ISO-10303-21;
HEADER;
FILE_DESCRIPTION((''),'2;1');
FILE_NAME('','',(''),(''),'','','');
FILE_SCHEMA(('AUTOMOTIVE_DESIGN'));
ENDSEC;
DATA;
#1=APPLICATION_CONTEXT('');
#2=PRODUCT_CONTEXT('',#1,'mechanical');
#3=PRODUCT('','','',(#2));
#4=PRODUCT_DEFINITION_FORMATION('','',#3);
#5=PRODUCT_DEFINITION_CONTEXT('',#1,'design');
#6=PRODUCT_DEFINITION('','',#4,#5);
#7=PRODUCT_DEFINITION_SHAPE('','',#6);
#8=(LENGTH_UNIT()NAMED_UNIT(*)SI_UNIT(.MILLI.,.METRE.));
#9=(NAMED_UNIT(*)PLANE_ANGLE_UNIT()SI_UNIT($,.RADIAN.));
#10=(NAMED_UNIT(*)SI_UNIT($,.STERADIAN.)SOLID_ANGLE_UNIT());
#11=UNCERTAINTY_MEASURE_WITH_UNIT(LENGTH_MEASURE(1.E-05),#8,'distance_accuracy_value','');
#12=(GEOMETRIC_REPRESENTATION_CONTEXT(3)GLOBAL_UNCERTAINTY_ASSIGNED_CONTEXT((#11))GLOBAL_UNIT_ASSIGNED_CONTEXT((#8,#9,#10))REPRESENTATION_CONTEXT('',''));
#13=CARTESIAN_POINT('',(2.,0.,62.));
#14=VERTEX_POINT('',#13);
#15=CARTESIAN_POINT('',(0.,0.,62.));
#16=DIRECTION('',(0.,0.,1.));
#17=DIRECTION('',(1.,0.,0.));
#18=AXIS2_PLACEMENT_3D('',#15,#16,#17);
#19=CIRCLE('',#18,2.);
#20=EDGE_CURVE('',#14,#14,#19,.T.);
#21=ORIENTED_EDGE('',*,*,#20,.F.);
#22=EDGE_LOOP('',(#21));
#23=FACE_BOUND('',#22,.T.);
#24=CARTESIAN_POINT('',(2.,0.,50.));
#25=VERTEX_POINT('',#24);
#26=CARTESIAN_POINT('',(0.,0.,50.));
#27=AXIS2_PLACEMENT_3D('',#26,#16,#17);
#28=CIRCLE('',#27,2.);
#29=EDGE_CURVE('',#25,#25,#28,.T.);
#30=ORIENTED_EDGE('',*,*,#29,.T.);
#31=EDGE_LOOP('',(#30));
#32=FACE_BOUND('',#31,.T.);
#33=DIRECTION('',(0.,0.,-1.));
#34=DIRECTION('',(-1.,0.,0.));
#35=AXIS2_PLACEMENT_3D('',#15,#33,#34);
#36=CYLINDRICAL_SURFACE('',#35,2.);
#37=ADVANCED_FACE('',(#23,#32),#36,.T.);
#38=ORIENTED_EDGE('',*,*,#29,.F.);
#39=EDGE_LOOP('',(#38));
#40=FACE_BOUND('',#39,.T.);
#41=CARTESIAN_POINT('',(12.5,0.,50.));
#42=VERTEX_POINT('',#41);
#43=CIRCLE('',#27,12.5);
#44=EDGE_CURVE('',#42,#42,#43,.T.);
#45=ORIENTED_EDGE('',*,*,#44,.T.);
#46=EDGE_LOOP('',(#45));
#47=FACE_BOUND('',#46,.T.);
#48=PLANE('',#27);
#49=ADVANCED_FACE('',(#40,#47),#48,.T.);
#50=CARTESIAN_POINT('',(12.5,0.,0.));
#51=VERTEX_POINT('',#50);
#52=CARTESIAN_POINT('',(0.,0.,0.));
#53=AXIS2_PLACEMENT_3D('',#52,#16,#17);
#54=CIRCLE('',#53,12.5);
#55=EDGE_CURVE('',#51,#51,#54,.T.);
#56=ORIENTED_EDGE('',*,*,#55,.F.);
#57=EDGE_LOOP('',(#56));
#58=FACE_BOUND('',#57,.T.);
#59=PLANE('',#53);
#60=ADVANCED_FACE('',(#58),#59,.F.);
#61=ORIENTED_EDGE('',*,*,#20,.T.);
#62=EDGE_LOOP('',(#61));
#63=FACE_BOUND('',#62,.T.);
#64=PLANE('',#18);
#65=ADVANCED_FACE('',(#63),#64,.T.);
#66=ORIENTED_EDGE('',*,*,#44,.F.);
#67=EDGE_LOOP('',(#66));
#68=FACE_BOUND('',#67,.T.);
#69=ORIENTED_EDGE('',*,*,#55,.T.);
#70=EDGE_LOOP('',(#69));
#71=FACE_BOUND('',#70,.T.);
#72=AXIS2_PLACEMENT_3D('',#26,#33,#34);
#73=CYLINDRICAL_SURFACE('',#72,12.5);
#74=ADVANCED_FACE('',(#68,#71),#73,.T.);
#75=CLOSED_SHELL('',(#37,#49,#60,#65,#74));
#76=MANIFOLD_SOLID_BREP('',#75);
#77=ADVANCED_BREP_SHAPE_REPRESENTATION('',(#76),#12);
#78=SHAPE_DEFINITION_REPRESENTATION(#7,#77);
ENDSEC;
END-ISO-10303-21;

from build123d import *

# Parameters (mm, degrees)
SKETCH1_R           = 12.5
BOSS_EXTRUDE1_DEPTH = 50
SKETCH2_R           = 2
BOSS_EXTRUDE2_DEPTH = 12


with BuildPart() as part:
    # Sketch1 → Boss-Extrude1 (new body)
    with BuildSketch(Plane.XY):
        Circle(SKETCH1_R)
    extrude(amount=BOSS_EXTRUDE1_DEPTH)

    # Sketch2 → Boss-Extrude2 (add)
    with BuildSketch(Plane.XY.offset(50)):
        Circle(SKETCH2_R)
    extrude(amount=BOSS_EXTRUDE2_DEPTH)


solid = part.part
